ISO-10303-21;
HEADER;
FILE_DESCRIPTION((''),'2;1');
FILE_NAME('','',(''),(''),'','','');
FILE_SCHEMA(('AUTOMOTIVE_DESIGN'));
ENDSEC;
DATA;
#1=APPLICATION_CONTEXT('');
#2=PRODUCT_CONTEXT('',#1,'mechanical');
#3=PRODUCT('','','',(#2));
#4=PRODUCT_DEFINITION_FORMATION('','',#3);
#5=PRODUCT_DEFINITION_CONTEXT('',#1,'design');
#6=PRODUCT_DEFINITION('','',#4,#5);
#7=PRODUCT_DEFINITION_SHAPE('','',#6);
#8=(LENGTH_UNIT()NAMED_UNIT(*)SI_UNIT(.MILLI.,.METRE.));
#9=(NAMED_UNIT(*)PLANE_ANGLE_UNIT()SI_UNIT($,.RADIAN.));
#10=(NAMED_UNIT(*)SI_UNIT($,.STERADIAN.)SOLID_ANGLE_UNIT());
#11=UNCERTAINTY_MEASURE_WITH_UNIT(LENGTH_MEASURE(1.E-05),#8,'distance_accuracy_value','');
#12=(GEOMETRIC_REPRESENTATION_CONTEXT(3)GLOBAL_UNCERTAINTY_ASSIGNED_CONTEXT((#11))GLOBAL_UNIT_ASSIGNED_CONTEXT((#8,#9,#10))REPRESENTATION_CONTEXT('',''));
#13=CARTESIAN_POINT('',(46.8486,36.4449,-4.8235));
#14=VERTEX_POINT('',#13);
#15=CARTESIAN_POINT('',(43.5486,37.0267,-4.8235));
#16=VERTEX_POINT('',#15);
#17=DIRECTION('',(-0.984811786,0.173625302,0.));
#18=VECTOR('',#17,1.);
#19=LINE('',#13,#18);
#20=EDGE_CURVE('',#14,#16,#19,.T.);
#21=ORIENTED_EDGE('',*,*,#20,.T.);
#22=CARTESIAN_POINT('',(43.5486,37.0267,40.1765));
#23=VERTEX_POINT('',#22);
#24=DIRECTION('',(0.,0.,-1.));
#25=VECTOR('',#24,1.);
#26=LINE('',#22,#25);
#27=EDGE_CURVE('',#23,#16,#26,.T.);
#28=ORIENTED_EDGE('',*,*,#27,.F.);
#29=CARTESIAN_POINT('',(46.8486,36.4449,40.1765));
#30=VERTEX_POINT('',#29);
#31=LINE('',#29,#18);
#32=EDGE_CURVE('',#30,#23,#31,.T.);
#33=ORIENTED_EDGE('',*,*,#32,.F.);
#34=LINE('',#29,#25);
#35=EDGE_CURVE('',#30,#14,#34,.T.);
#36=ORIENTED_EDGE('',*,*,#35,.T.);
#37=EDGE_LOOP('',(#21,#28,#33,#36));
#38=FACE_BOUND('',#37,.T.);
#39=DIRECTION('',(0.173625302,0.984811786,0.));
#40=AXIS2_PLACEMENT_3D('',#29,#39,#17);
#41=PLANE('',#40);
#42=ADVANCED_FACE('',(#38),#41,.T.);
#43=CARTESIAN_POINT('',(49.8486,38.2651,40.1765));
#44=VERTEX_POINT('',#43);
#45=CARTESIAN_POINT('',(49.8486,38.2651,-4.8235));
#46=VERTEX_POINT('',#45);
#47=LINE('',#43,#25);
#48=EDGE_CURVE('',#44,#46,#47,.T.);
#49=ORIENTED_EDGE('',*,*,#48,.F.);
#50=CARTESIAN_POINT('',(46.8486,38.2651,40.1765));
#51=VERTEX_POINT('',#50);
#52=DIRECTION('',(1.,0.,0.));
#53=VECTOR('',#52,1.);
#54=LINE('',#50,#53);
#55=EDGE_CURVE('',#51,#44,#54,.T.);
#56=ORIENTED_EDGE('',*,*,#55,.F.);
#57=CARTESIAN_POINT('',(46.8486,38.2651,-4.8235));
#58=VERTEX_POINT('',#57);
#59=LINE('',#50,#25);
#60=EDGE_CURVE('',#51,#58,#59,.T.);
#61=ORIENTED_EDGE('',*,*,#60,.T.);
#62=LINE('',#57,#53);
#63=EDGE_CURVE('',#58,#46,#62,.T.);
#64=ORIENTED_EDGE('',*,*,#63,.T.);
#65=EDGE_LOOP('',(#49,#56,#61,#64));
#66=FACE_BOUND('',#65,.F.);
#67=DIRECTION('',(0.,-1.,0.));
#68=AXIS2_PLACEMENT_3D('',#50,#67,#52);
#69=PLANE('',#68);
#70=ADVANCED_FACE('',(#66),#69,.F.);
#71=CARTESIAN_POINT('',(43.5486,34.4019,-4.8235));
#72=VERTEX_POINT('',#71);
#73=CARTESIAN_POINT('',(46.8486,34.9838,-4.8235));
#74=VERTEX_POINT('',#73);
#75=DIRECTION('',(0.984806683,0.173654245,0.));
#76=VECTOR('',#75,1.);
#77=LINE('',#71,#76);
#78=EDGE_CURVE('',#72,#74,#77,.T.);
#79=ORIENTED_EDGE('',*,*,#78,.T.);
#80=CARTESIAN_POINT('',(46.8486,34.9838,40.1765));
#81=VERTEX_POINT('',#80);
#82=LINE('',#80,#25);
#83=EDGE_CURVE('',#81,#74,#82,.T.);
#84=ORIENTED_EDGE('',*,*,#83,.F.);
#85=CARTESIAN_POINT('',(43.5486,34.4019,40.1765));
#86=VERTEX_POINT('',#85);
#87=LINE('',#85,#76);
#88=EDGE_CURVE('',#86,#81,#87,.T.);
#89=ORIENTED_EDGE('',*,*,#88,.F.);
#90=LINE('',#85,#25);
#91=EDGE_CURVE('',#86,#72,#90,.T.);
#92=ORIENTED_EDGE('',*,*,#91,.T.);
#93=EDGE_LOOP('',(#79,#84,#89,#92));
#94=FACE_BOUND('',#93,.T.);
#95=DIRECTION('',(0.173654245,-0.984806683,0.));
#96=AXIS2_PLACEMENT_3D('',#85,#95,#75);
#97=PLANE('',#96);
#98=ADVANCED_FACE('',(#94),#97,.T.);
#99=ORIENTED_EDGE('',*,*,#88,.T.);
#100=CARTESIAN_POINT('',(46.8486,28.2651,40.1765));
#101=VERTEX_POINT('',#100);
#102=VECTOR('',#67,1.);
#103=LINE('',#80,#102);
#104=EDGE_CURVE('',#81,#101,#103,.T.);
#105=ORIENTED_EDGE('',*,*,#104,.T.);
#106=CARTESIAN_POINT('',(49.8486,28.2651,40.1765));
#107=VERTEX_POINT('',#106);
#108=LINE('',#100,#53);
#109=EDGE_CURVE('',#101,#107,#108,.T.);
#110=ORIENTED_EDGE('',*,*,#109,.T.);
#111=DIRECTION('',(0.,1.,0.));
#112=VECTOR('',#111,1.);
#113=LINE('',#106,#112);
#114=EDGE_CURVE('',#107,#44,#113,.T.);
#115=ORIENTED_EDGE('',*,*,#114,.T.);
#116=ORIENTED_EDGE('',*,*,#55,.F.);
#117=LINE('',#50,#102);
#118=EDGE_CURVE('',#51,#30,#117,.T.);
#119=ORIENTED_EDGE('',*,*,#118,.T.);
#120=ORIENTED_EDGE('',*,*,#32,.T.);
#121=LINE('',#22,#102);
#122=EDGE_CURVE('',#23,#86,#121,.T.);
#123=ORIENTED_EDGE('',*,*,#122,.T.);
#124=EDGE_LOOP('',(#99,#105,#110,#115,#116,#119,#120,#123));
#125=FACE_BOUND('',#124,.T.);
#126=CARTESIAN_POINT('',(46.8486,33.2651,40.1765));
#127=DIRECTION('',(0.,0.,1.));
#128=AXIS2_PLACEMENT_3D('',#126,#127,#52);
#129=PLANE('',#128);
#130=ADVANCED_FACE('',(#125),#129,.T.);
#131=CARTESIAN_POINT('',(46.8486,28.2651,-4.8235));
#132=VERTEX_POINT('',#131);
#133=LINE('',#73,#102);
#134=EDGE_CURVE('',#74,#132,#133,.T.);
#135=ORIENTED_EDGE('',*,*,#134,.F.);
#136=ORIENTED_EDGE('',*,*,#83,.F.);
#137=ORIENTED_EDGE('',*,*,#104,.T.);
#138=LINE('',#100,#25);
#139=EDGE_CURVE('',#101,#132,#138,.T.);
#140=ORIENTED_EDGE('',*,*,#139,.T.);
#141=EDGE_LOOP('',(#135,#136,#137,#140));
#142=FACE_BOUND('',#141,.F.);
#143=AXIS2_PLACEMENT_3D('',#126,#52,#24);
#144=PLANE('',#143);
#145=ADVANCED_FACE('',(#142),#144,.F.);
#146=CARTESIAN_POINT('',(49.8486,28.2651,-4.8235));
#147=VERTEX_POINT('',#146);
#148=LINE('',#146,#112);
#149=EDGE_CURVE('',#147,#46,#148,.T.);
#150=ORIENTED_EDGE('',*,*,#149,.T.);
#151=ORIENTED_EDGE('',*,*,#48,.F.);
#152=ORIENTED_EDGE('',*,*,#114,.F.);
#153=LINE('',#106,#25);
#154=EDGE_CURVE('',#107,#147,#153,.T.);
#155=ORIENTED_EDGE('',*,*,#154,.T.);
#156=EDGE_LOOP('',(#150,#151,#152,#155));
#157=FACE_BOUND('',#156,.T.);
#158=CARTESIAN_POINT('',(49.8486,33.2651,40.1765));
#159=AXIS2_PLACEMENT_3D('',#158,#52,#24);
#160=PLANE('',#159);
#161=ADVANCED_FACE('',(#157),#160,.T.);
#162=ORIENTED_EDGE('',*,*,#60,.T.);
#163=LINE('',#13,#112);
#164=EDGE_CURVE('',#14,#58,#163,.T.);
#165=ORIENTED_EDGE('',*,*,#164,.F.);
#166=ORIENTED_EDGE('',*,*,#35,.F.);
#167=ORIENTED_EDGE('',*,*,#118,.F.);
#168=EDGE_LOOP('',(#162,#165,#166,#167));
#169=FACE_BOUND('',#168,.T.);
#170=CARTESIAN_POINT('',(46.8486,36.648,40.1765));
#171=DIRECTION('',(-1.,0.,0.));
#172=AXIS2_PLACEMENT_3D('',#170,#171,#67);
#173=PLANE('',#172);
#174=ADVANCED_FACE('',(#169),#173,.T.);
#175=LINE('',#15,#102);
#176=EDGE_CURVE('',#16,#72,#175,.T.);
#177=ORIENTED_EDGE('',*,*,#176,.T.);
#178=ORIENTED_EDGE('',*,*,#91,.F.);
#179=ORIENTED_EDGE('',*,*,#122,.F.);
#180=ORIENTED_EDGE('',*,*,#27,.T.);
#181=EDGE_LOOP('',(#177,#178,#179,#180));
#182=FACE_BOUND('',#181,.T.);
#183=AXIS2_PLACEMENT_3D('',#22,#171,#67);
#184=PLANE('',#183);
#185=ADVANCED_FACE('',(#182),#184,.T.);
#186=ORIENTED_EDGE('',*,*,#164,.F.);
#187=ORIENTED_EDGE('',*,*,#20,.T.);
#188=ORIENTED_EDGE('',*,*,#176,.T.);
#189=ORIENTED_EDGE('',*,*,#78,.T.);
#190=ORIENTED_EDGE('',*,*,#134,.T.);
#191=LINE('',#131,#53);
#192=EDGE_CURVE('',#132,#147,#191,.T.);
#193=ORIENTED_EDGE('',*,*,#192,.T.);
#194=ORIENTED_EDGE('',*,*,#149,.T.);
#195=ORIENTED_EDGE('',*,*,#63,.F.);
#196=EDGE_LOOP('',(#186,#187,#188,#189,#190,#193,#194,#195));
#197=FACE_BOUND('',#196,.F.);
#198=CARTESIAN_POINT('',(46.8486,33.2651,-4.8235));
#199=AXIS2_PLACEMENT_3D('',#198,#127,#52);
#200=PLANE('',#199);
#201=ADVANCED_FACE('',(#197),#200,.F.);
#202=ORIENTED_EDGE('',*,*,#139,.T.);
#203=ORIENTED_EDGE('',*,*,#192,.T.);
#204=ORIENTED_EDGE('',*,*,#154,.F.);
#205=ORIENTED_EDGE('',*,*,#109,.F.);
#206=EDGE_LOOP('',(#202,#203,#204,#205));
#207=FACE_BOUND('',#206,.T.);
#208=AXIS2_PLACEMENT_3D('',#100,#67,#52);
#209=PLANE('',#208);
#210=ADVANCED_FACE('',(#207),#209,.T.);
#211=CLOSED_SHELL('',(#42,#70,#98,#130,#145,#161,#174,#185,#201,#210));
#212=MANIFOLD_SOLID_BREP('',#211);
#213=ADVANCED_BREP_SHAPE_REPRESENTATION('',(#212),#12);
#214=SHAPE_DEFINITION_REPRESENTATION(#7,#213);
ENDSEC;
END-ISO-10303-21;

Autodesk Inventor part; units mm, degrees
ref_plane "YZ Plane" through (0, 0, 0) normal (1, 0, 0) x (0, 1, 0)
ref_plane "XZ Plane" through (0, 0, 0) normal (0, 1, 0) x (-1, 0, 0)
ref_plane "Work Plane2" through (46.8486, 38.2651, 40.1765) normal (0, 0, 1) x (0, 1, 0)
sketch "Sketch2" plane through (46.8486, 38.2651, 40.1765) normal (0, 0, 1) x (0, 1, 0)
  line L0 (-3.3829, 0) -> (-4, 3.5) projected
  line L1 (-1.6171, 0) -> (-3.3829, 0) projected
  line L2 (-1, 3.5) -> (-1.6171, 0) projected
  line L3 (-4, 3.5) -> (-1, 3.5) projected
  line L4 (-3.8632, 3.3) -> (-3.2813, 0)
  line L5 (-1.8202, 0) -> (-1.2384, 3.3)
  line L6 (-1.2384, 3.3) -> (-3.8632, 3.3)
  line L7 (-1.8202, 0) -> (-1.6171, 0)
  line L8 (0, 0) -> (0, -3)
  line L9 (-3.2813, 0) -> (-3.3829, 0)
  line L10 (-3.3829, 0) -> (-4, 3.5) projected
  line L11 (-4, 3.5) -> (-1, 3.5) projected
  line L12 (-1, 3.5) -> (-1.6171, 0) projected
  line L13 (0, 0) -> (-1.6171, 0) projected
  line L14 (0, 15) -> (0, 0) projected
  line L15 (0, 15) -> (-5, 15) projected
  line L16 (-5, 0) -> (-5, 15) projected
  line L17 (-3.3829, 0) -> (-5, 0) projected
  line L18 (-5, 0) -> (-5, -3)
  line L19 (-5, -3) -> (0, -3)
  line L20 (0, 0) -> (-1.8202, 0)
  line L21 (-3.2813, 0) -> (-5, 0)
  point P0 (-38.2651, 46.8486)
  dimension "d0" = 0.1
  dimension "d1" = 0.2
  dimension "d2" = 3
  dimension "d9" = 90
extrude "Extrusion1" add sketch "Sketch2" against normal blind 45 contours L1 L13 L8 L19 L18 L17 | L4 L6 L5 L1
sketch "Sketch6" plane through (46.8486, 33.2651, 40.1765) normal (0, -1, 0) x (1, 0, 0)
  line L0 (0, 0) -> (0, -45) projected
  line L1 (0, -45) -> (3, -45) projected
  line L2 (0, 0) -> (3, 0)
  line L3 (3, 0) -> (3, -45)
  line L4 (3, -45) -> (0, -45)
  line L5 (0, -45) -> (0, 0)
  point P0 (-46.8486, -40.1765)
extrude "Extrusion2" add sketch "Sketch6" along normal blind 5
properties part number "Rack Gripper"
